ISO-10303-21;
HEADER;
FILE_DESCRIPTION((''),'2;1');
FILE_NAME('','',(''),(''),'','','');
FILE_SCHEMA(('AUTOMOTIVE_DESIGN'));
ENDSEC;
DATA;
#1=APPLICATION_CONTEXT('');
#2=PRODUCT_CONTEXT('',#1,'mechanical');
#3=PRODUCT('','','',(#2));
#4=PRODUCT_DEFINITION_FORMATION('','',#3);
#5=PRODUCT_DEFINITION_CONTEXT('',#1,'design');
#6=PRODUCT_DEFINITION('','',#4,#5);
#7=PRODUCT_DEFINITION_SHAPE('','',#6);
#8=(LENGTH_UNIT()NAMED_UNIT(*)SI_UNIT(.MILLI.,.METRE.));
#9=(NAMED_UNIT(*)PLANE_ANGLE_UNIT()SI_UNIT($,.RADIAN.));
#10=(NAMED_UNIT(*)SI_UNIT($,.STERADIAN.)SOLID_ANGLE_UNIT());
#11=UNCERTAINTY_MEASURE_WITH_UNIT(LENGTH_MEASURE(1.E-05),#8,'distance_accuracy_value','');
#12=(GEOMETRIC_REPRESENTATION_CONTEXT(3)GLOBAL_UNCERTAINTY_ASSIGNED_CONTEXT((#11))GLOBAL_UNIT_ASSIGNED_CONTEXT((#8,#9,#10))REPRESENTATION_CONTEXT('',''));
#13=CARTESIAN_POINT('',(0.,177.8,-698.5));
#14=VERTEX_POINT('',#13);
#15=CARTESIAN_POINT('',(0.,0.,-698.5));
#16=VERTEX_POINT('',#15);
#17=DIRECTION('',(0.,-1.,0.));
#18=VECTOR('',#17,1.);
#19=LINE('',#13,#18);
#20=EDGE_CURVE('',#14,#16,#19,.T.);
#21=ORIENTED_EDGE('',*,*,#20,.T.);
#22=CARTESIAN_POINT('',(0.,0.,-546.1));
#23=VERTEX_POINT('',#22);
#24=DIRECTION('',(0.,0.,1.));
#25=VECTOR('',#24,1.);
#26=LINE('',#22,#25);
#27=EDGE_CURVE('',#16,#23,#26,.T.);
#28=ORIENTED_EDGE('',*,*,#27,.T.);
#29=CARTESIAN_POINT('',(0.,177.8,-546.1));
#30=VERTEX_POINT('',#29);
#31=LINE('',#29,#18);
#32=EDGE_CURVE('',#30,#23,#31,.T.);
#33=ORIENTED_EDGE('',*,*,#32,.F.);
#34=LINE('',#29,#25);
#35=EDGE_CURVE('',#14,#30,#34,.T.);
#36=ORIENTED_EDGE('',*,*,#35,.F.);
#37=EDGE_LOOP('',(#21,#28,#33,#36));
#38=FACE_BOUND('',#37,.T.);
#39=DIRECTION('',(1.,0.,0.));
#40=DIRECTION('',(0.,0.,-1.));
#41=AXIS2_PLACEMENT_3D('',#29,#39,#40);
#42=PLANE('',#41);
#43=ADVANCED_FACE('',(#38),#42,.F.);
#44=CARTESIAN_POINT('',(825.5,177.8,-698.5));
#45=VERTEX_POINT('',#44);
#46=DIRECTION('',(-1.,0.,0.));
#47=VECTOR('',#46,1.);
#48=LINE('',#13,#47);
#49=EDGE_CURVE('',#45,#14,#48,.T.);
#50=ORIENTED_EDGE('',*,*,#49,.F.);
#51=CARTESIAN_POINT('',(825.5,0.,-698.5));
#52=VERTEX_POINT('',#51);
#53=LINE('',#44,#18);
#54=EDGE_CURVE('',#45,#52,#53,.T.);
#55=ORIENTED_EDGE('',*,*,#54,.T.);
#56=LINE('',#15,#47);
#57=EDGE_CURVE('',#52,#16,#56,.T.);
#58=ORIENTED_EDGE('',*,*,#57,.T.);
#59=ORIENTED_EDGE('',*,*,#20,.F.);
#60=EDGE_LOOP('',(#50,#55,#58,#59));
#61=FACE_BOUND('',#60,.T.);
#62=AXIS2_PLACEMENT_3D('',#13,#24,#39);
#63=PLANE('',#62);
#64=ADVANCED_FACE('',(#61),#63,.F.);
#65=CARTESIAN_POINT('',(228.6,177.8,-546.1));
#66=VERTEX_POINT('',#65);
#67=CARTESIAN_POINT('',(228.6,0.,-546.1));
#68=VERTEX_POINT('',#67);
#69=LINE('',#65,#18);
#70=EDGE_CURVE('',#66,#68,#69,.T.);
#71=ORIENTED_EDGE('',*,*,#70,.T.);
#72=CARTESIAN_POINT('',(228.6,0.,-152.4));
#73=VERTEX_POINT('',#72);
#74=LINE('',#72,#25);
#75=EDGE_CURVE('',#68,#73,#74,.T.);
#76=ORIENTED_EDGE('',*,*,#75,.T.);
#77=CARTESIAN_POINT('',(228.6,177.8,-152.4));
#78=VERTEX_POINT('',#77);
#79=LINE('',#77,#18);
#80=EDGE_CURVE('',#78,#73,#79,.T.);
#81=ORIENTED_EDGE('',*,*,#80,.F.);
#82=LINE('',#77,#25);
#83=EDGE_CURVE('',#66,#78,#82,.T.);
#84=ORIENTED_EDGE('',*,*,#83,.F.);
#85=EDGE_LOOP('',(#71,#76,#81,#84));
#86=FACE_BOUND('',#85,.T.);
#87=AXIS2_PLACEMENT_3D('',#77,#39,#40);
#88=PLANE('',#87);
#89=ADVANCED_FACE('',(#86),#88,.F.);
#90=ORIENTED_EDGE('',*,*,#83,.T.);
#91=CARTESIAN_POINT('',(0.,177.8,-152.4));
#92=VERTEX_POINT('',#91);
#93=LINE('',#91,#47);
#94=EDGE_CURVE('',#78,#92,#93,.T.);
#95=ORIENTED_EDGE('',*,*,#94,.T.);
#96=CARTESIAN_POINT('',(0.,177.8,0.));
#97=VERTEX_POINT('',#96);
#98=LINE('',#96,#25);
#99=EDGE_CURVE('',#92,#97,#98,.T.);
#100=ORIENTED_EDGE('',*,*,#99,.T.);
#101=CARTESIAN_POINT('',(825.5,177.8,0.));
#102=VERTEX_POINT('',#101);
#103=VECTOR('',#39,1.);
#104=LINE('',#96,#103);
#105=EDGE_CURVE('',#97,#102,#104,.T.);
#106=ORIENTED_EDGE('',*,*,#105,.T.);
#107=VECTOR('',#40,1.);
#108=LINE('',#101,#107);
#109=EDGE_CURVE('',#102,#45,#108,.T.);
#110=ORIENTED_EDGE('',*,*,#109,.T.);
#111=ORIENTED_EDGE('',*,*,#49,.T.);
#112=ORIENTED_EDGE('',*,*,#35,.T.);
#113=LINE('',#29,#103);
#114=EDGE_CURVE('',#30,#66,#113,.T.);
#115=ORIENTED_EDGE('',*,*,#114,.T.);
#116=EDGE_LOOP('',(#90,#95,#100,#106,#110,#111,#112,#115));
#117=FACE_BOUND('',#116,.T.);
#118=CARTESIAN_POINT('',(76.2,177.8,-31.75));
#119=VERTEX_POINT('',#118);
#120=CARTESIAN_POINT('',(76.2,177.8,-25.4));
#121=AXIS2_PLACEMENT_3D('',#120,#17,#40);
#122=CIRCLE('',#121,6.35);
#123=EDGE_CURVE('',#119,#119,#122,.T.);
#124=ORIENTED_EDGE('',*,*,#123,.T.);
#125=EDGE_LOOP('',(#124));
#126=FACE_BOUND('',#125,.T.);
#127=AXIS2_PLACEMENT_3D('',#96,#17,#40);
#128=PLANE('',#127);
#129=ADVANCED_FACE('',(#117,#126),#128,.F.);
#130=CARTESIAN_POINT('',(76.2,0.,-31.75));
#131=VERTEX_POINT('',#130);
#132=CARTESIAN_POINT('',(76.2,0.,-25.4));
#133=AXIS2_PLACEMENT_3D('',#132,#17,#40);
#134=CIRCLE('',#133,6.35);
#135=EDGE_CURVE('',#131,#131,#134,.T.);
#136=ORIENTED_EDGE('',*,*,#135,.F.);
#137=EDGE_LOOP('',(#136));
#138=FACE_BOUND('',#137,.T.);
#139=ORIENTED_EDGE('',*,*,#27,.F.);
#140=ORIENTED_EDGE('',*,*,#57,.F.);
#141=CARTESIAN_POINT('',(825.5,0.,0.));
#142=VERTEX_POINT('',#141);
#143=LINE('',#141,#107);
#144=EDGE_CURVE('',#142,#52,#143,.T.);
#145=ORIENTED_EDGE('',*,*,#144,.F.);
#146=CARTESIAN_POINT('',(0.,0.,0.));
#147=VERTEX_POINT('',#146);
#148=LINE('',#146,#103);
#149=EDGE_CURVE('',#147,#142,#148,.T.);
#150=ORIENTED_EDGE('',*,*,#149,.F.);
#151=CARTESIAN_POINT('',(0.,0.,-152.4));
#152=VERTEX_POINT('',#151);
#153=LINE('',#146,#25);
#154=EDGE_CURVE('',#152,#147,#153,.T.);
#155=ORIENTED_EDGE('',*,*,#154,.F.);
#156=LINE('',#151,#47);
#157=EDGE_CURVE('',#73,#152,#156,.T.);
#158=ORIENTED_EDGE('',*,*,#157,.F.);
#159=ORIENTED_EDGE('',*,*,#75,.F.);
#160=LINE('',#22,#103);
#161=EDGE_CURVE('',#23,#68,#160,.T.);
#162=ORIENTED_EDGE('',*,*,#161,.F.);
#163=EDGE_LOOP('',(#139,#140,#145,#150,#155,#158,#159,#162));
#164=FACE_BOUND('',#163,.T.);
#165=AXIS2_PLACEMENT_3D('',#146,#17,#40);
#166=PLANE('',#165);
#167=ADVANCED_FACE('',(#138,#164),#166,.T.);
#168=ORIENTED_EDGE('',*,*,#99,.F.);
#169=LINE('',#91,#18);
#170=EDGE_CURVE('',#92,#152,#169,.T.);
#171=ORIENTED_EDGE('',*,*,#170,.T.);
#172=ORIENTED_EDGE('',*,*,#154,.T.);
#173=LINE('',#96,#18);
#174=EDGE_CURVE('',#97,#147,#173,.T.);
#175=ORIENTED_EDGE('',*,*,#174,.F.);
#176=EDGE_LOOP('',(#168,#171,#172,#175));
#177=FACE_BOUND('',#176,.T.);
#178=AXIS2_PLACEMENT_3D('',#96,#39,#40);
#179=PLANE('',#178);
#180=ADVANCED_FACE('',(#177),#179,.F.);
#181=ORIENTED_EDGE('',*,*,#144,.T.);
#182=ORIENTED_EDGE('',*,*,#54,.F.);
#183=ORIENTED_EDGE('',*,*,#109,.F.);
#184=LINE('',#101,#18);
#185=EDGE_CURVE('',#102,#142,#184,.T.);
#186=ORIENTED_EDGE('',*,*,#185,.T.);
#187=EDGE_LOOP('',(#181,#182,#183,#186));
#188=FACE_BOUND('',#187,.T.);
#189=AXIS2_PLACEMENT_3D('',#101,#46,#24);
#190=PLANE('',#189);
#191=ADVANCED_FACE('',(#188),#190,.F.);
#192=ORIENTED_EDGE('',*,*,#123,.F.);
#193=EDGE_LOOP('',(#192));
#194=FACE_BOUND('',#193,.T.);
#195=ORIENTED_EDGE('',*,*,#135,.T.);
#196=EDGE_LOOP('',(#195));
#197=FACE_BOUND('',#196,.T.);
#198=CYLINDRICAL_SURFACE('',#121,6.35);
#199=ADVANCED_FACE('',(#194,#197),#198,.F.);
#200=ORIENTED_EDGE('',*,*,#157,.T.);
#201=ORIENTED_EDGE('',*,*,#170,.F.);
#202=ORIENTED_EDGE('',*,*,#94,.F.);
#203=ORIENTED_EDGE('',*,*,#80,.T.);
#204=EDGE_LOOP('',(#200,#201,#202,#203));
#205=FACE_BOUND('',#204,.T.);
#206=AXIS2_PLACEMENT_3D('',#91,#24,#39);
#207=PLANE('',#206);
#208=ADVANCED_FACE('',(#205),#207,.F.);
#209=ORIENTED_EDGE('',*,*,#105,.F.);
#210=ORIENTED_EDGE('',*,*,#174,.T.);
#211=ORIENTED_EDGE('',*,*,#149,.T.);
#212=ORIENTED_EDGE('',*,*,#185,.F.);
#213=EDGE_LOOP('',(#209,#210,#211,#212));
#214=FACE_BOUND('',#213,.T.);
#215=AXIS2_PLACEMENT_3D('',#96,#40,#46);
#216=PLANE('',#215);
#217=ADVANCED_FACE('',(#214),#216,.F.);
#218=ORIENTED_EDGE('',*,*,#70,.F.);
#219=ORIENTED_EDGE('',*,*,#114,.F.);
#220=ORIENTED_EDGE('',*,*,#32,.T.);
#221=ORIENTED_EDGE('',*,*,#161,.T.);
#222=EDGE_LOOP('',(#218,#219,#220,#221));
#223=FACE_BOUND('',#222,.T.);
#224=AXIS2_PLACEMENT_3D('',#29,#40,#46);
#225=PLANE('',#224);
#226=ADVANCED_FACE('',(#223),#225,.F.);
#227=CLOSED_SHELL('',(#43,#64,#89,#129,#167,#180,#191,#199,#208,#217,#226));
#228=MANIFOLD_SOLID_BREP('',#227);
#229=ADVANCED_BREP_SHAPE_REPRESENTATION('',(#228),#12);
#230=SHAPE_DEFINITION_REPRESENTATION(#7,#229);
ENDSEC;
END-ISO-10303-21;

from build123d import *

# Parameters (mm, degrees)
BOSS_EXTRUDE1_DEPTH = 177.8
SKETCH3_R           = 6.35
CUT_EXTRUDE1_DEPTH  = 1096.885641844


with BuildPart() as part:
    # Sketch2 → Boss-Extrude1 (new body)
    with BuildSketch(Plane(origin=(0, 0, 0), x_dir=(1, 0, 0), z_dir=(0, 1, 0))):
        Polygon((0, 546.1), (0, 698.5), (825.5, 698.5), (825.5, 0), (0, 0), (0, 152.4), (228.6, 152.4), (228.6, 546.1), align=None)
    extrude(amount=BOSS_EXTRUDE1_DEPTH)

    # Sketch3 → Cut-Extrude1 (cut, through all)
    with BuildSketch(Plane(origin=(0, 0, 0), x_dir=(-1, 0, 0), z_dir=(0, -1, 0))):
        with Locations(Location((-76.2, 25.4, 0), (0, 0, 90))):
            Circle(SKETCH3_R)
    extrude(amount=-CUT_EXTRUDE1_DEPTH, mode=Mode.SUBTRACT)


solid = part.part
